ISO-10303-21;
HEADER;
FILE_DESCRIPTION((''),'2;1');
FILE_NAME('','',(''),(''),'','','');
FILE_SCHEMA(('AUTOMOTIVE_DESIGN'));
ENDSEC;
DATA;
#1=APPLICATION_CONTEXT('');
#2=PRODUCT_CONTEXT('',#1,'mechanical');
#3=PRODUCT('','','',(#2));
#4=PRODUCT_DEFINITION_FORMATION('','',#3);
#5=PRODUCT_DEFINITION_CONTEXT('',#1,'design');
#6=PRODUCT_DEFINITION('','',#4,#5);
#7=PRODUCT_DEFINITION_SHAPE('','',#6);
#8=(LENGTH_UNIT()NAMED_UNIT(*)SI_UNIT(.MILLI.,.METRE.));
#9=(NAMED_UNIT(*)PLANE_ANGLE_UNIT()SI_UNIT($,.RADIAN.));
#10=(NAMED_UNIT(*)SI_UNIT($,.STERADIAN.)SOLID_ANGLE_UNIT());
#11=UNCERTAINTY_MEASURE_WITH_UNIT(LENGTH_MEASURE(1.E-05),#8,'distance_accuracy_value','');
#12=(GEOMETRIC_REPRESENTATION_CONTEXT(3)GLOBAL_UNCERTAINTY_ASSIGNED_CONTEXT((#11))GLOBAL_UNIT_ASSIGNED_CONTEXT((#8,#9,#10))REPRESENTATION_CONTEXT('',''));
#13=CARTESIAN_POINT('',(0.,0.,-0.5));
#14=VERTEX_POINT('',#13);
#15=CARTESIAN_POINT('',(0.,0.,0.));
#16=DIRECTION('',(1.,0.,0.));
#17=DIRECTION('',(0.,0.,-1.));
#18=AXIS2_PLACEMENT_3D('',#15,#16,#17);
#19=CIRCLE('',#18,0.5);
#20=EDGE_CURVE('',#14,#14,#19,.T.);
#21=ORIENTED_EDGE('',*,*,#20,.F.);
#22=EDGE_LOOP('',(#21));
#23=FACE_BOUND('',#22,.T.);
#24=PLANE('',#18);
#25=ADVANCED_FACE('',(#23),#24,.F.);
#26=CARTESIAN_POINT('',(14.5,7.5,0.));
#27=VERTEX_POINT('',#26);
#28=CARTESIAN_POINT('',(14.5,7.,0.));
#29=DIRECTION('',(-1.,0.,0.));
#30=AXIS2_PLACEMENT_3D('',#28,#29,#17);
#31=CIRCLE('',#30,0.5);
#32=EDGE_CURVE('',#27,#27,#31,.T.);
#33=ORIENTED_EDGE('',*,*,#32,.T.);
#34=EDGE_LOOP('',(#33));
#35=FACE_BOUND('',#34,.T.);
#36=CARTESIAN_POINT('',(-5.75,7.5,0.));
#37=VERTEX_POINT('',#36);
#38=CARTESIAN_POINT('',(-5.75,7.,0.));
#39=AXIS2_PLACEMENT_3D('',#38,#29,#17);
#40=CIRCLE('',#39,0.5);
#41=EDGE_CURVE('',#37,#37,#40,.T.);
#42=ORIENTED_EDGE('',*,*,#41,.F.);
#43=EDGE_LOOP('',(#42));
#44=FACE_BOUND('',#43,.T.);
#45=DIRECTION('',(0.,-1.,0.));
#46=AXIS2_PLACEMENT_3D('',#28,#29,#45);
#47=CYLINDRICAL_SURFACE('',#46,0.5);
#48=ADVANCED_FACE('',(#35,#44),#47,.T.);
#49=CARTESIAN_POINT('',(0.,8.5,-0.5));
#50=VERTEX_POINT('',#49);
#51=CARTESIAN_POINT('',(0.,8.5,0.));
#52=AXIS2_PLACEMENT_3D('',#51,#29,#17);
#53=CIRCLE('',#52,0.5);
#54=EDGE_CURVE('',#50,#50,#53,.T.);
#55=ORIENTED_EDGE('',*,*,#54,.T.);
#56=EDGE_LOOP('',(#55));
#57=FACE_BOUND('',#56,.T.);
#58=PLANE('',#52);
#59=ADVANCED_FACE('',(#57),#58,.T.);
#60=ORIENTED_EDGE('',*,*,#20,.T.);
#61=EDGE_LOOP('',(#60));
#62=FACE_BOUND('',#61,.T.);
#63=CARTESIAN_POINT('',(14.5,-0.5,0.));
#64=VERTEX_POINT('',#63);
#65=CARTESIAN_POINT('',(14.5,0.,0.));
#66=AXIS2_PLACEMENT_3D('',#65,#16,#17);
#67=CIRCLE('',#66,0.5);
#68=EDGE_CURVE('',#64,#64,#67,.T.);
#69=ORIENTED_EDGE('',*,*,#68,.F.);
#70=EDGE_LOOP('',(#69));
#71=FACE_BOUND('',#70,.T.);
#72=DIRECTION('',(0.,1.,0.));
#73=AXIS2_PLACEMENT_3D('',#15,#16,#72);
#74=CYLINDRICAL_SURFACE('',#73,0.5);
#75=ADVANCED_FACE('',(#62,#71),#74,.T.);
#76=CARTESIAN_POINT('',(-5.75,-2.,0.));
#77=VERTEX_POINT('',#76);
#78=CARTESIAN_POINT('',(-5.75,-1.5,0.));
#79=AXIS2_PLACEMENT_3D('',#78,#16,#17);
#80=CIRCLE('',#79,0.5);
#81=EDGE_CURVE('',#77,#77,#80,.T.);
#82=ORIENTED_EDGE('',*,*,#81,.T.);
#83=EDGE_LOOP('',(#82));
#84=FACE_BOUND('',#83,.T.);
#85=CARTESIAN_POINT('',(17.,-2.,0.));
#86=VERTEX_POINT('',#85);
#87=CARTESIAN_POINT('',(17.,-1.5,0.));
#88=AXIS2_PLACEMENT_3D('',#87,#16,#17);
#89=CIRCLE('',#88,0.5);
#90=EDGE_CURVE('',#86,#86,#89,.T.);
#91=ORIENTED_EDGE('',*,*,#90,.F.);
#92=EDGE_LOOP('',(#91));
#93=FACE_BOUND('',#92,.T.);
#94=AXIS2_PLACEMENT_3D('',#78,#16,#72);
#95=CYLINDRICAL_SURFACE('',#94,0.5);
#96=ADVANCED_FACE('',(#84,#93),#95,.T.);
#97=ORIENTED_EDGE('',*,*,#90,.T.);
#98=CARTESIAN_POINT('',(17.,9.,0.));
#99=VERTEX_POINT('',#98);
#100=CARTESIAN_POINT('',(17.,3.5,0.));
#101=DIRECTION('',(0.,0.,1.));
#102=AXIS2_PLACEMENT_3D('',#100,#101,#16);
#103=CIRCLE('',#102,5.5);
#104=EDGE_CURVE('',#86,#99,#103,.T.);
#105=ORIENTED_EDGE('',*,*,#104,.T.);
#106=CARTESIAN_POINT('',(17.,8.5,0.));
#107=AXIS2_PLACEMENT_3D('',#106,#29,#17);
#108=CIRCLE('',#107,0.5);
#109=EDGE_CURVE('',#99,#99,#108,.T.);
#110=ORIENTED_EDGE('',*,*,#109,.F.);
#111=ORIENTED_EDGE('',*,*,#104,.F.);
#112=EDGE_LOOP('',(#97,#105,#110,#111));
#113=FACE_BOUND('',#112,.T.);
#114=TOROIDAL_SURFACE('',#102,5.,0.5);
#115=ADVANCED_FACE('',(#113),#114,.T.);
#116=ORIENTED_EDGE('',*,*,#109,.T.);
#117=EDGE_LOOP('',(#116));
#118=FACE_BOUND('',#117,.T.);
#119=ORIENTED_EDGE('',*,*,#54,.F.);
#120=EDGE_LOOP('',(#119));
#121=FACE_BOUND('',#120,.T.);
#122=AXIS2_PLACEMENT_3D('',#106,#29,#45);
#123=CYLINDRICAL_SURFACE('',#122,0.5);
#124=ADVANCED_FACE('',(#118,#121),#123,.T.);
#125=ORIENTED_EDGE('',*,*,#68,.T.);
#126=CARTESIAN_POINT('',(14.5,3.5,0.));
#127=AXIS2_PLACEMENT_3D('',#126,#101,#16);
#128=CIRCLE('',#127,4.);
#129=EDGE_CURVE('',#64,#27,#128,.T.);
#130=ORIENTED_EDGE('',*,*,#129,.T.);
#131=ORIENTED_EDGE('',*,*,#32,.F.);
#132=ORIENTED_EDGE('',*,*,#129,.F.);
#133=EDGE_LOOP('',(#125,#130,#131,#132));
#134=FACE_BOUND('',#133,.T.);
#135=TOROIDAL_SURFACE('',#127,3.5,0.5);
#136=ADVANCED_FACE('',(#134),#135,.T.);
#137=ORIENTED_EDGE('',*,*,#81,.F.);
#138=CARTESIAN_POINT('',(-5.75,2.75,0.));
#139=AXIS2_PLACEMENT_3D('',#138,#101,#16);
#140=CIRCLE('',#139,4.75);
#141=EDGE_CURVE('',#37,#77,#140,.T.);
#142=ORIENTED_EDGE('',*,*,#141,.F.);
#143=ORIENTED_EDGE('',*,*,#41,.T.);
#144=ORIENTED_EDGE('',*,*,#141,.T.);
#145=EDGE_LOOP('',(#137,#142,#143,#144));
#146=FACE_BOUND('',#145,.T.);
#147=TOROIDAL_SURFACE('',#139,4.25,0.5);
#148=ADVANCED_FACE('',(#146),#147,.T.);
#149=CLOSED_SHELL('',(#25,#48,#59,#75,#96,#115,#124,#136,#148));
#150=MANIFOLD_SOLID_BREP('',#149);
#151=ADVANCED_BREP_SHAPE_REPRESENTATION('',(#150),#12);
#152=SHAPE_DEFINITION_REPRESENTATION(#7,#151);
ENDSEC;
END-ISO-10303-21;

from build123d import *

# Parameters (mm, degrees)
SKETCH7_R = 0.5


with BuildPart() as part:
    # Sweep1: sweep along a path in Sketch1
    with BuildLine(Plane.XY) as sweep1_path:
        Line((0, 0), (14.5, 0))
        ThreePointArc((14.5, 0), (18, 3.5), (14.5, 7))
        Line((14.5, 7), (-5.75, 7))
        ThreePointArc((-5.75, 7), (-10, 2.75), (-5.75, -1.5))
        Line((-5.75, -1.5), (17, -1.5))
        ThreePointArc((17, -1.5), (22, 3.5), (17, 8.5))
        Line((17, 8.5), (0, 8.5))
    # Sketch7 → Sweep1 (sweep)
    with BuildSketch(Plane(origin=(0, 0, 0), x_dir=(0, 0, -1), z_dir=(1, 0, 0))):
        Circle(SKETCH7_R)
    sweep(path=sweep1_path.line)


solid = part.part
